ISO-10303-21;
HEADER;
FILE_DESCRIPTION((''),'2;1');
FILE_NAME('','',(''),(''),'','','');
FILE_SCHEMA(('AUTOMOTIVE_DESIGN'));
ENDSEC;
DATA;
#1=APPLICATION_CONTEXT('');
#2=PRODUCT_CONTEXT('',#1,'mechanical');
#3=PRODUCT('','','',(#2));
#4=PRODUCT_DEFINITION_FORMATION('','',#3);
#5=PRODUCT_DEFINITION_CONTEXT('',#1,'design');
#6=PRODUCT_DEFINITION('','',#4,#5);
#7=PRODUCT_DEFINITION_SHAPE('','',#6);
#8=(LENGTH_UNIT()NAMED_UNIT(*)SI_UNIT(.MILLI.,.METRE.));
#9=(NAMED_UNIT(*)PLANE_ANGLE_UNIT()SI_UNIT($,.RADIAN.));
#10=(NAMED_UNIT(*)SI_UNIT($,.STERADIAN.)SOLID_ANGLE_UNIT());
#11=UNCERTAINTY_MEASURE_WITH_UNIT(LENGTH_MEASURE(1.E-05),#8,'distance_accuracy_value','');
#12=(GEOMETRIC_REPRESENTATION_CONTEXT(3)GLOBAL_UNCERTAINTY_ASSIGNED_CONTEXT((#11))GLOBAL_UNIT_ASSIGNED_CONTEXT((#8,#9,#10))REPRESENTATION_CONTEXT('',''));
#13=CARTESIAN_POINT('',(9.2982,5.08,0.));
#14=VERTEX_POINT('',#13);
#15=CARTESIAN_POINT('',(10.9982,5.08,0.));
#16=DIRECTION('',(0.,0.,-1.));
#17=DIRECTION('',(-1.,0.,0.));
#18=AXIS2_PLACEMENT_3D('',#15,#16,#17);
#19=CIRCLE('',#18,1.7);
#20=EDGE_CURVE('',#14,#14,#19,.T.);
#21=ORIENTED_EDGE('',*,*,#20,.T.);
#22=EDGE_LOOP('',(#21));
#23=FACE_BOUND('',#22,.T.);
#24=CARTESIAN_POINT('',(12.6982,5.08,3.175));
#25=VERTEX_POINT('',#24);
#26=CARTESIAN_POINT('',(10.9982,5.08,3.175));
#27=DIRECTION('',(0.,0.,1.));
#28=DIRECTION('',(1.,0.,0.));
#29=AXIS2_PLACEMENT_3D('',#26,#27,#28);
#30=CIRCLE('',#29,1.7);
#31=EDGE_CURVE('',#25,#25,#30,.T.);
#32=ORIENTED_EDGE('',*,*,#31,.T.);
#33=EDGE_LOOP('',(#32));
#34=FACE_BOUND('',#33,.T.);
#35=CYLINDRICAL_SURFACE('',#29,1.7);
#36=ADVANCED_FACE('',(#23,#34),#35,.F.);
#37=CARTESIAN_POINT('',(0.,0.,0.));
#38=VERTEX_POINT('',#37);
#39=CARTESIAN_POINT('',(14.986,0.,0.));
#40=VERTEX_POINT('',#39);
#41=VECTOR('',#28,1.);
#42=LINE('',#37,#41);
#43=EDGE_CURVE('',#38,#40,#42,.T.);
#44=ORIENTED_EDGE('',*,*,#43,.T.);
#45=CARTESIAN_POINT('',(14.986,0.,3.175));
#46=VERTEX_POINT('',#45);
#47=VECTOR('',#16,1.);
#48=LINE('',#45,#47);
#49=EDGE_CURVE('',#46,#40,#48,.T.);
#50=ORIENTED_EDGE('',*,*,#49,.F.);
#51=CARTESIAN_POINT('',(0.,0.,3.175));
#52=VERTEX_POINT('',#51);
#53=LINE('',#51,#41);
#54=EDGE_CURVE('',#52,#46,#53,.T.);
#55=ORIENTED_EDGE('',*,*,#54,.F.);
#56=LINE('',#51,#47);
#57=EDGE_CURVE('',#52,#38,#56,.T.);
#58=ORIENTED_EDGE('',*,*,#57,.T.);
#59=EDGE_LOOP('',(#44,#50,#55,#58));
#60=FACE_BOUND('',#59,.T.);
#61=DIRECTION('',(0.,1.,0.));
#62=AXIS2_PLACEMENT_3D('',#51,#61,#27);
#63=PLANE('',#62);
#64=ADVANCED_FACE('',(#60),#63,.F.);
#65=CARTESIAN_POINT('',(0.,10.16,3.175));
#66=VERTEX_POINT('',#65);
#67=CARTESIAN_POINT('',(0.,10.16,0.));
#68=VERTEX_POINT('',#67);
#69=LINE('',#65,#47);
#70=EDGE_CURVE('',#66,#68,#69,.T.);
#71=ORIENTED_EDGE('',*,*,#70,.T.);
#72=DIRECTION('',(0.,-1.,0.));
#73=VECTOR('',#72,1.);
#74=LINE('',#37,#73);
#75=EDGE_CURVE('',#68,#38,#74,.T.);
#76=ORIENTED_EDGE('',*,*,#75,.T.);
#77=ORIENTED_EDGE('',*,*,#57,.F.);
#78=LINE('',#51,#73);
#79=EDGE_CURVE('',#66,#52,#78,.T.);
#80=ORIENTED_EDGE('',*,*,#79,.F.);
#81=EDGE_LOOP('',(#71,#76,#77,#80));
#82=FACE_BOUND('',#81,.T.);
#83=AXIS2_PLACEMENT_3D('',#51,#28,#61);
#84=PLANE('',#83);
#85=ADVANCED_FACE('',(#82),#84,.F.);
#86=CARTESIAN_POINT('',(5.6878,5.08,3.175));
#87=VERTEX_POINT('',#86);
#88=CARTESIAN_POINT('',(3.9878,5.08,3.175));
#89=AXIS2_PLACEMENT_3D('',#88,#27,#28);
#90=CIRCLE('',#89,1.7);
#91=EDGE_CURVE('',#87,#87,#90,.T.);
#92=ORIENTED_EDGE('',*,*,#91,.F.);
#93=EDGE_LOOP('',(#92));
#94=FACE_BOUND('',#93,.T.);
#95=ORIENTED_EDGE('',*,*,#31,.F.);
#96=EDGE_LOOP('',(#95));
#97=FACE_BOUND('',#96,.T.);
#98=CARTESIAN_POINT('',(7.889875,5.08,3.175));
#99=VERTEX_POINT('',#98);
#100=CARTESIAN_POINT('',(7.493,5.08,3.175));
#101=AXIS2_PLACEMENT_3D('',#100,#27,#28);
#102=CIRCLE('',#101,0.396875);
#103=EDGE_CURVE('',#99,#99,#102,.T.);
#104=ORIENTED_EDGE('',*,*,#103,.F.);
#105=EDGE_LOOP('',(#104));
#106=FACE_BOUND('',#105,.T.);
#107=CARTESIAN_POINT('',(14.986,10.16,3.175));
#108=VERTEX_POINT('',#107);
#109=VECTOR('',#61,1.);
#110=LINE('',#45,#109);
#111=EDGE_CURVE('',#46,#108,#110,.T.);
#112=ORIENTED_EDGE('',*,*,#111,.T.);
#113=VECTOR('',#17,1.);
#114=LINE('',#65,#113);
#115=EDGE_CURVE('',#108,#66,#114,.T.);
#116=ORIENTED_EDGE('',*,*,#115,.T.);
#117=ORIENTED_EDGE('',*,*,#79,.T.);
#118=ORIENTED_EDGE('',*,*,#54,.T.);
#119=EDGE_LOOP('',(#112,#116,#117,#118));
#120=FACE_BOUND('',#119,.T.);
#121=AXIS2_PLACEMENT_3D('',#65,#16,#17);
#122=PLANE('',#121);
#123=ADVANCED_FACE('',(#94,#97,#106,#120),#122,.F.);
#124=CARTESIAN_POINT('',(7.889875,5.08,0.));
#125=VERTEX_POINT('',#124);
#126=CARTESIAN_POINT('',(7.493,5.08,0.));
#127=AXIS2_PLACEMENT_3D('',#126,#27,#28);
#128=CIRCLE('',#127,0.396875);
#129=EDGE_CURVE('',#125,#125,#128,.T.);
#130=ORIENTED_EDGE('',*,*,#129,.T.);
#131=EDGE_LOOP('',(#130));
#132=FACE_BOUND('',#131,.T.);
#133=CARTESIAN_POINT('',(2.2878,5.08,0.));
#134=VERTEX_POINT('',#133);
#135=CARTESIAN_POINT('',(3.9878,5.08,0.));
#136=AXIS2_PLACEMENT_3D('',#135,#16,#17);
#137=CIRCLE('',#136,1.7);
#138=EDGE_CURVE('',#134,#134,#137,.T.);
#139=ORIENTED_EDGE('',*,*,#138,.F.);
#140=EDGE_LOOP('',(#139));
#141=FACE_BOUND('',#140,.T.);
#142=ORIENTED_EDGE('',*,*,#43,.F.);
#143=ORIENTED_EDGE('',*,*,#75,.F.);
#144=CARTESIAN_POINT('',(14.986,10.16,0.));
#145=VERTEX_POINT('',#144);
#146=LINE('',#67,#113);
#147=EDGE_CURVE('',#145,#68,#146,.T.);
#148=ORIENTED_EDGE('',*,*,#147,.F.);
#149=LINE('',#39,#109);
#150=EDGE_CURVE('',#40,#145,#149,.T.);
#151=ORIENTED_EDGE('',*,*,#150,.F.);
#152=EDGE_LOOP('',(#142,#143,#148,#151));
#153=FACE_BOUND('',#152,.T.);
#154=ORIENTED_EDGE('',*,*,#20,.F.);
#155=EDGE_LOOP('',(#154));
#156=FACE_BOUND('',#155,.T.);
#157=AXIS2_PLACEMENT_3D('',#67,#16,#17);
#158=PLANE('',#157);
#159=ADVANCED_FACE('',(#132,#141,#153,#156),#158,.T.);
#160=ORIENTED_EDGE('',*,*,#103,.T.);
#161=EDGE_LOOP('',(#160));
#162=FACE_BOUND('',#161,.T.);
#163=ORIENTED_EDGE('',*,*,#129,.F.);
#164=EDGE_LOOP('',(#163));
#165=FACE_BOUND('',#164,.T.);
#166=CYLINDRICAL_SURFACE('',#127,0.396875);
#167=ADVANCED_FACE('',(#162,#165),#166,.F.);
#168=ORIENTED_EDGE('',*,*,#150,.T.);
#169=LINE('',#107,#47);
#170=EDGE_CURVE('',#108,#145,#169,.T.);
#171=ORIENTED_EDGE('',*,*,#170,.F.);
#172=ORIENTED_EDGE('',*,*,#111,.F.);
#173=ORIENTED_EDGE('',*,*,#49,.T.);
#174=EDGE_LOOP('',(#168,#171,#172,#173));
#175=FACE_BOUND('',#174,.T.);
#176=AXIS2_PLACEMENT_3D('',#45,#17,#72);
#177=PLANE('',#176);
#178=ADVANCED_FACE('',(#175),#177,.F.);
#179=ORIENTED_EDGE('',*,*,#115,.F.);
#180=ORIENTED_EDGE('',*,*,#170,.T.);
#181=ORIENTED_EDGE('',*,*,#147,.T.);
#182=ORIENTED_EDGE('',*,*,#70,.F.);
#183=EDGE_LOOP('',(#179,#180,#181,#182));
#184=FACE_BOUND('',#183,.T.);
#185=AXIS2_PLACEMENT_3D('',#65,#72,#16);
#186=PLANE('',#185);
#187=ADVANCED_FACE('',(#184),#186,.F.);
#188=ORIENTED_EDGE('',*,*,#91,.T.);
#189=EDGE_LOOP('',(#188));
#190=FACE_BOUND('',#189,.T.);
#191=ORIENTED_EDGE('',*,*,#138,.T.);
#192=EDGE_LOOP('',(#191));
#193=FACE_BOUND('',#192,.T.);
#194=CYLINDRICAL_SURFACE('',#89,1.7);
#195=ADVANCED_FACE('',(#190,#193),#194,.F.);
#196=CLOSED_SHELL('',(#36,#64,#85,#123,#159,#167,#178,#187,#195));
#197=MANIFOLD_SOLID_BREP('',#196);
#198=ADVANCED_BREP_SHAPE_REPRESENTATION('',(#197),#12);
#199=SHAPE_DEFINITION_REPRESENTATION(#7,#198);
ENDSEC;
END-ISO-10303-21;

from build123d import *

# Parameters (mm, degrees)
SKETCH1_W                = 14.986
SKETCH1_H                = 10.16
BOSS_EXTRUDE1_DEPTH      = 3.175
M3_CLEARANCE_HOLE1_D     = 3.4
M3_CLEARANCE_HOLE1_DEPTH = 10
M3_CLEARANCE_HOLE1_TIP   = 1.021463052
SKETCH4_R                = 0.396875
CUT_EXTRUDE1_DEPTH       = 19.38168711


with BuildPart() as part:
    # Sketch1 → Boss-Extrude1 (new body)
    with BuildSketch(Plane.XY):
        with Locations((7.493, 5.08)):
            Rectangle(SKETCH1_W, SKETCH1_H)
    extrude(amount=BOSS_EXTRUDE1_DEPTH)

    # M3 Clearance Hole1
    with Locations(Plane.XY.offset(3.175)):
        with Locations((10.9982, 5.08), (3.9878, 5.08)):
            Hole(M3_CLEARANCE_HOLE1_D / 2, depth=M3_CLEARANCE_HOLE1_DEPTH)
            with Locations((0, 0, -(M3_CLEARANCE_HOLE1_DEPTH + M3_CLEARANCE_HOLE1_TIP / 2))):  # 118° drill point
                Cone(0, M3_CLEARANCE_HOLE1_D / 2, M3_CLEARANCE_HOLE1_TIP, mode=Mode.SUBTRACT)

    # Sketch4 → Cut-Extrude1 (cut, through all)
    with BuildSketch(Plane.XY.offset(3.175)):
        with Locations((7.493, 5.08)):
            Circle(SKETCH4_R)
    extrude(amount=-CUT_EXTRUDE1_DEPTH, mode=Mode.SUBTRACT)


solid = part.part
